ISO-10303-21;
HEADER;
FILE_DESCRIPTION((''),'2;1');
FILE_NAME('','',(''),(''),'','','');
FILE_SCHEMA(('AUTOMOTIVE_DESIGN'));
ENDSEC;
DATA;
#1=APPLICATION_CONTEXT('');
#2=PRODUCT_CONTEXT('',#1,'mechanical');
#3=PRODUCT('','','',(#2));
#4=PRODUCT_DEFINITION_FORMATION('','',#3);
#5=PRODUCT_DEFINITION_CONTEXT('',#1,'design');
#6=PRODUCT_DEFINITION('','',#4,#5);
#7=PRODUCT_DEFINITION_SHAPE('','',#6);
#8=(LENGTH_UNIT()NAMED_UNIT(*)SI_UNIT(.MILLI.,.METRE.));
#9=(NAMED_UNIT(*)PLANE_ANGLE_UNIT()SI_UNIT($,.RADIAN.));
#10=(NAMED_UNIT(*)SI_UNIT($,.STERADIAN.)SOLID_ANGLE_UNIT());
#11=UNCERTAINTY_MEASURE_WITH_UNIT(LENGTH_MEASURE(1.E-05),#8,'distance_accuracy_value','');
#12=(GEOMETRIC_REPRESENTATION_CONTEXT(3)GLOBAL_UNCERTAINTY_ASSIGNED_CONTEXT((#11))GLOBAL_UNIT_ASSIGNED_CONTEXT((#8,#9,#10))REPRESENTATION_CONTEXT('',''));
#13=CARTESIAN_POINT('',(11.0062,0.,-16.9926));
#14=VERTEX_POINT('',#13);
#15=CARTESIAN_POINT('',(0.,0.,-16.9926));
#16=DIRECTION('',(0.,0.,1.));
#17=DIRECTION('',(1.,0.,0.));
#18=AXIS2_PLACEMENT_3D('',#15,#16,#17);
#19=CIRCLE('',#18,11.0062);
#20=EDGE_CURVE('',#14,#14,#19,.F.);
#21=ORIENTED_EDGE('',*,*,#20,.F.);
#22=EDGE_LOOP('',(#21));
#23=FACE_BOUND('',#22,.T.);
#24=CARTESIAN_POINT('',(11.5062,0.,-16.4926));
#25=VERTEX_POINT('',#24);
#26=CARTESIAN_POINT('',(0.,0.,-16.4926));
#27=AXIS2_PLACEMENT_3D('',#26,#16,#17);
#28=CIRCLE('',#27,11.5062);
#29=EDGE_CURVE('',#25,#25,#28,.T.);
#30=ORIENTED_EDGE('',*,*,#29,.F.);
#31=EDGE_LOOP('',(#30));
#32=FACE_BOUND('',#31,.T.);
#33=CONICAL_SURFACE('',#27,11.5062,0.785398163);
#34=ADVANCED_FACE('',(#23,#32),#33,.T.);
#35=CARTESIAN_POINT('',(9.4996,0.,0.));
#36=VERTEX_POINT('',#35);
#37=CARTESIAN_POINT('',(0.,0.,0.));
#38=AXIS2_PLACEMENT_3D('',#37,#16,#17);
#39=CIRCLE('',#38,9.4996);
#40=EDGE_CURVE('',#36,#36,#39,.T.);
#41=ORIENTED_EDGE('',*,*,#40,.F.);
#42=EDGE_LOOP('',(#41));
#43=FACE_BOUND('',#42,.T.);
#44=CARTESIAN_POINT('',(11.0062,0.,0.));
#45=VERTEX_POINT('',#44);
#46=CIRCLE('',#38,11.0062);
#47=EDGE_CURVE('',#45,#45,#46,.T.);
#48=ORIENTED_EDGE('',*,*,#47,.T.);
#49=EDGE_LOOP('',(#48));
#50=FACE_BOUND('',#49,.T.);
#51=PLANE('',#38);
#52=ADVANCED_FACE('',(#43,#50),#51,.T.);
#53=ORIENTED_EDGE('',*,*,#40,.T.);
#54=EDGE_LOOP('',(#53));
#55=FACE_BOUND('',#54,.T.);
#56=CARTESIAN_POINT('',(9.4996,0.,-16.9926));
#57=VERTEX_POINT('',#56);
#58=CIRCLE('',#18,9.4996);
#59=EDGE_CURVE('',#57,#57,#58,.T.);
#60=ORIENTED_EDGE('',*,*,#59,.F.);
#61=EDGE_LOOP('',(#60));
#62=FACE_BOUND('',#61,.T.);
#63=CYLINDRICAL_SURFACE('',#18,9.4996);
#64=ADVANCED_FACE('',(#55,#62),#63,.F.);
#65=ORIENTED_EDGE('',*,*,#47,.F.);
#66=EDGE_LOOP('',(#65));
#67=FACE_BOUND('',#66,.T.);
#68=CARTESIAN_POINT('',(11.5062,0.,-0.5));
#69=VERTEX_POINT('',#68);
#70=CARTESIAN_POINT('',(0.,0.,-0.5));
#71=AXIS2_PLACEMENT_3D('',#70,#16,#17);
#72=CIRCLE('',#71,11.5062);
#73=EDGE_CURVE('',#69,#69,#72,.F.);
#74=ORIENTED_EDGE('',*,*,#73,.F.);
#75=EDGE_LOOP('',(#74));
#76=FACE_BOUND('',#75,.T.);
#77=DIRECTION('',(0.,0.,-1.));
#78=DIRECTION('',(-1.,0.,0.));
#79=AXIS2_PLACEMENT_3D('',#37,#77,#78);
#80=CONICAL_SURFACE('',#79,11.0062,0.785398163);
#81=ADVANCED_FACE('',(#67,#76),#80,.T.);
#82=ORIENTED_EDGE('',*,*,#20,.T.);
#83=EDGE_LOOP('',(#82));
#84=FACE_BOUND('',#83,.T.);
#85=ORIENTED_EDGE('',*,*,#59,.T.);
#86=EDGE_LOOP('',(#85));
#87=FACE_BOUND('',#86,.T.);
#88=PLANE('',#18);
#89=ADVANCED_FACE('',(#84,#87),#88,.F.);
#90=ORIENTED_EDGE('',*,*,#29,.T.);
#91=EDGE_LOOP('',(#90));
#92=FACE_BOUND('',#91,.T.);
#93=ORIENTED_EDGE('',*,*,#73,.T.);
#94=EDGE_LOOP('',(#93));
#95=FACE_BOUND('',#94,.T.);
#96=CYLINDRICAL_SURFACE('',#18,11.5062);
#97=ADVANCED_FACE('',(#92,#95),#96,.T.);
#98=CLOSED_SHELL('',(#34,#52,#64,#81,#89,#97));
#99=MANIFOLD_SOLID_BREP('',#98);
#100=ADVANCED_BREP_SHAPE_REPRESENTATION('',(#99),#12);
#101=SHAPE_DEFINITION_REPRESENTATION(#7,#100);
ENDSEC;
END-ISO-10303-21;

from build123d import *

# Parameters (mm, degrees)
SKETCH1_R           = 11.5062
SKETCH1_R_2         = 9.4996
BOSS_EXTRUDE1_DEPTH = 16.9926
CHAMFER1_SIZE       = 0.5


with BuildPart() as part:
    # Sketch1 → Boss-Extrude1 (new body)
    with BuildSketch(Plane.XY):
        Circle(SKETCH1_R)
        Circle(SKETCH1_R_2, mode=Mode.SUBTRACT)
    extrude(amount=-BOSS_EXTRUDE1_DEPTH)

    # Chamfer1
    chamfer1_edges = [part.edges().sort_by_distance(p)[0] for p in [
        (-11.5062, 0, 0),
        (-11.5062, 0, -16.9926),
    ]]
    chamfer(chamfer1_edges, length=CHAMFER1_SIZE)


solid = part.part
